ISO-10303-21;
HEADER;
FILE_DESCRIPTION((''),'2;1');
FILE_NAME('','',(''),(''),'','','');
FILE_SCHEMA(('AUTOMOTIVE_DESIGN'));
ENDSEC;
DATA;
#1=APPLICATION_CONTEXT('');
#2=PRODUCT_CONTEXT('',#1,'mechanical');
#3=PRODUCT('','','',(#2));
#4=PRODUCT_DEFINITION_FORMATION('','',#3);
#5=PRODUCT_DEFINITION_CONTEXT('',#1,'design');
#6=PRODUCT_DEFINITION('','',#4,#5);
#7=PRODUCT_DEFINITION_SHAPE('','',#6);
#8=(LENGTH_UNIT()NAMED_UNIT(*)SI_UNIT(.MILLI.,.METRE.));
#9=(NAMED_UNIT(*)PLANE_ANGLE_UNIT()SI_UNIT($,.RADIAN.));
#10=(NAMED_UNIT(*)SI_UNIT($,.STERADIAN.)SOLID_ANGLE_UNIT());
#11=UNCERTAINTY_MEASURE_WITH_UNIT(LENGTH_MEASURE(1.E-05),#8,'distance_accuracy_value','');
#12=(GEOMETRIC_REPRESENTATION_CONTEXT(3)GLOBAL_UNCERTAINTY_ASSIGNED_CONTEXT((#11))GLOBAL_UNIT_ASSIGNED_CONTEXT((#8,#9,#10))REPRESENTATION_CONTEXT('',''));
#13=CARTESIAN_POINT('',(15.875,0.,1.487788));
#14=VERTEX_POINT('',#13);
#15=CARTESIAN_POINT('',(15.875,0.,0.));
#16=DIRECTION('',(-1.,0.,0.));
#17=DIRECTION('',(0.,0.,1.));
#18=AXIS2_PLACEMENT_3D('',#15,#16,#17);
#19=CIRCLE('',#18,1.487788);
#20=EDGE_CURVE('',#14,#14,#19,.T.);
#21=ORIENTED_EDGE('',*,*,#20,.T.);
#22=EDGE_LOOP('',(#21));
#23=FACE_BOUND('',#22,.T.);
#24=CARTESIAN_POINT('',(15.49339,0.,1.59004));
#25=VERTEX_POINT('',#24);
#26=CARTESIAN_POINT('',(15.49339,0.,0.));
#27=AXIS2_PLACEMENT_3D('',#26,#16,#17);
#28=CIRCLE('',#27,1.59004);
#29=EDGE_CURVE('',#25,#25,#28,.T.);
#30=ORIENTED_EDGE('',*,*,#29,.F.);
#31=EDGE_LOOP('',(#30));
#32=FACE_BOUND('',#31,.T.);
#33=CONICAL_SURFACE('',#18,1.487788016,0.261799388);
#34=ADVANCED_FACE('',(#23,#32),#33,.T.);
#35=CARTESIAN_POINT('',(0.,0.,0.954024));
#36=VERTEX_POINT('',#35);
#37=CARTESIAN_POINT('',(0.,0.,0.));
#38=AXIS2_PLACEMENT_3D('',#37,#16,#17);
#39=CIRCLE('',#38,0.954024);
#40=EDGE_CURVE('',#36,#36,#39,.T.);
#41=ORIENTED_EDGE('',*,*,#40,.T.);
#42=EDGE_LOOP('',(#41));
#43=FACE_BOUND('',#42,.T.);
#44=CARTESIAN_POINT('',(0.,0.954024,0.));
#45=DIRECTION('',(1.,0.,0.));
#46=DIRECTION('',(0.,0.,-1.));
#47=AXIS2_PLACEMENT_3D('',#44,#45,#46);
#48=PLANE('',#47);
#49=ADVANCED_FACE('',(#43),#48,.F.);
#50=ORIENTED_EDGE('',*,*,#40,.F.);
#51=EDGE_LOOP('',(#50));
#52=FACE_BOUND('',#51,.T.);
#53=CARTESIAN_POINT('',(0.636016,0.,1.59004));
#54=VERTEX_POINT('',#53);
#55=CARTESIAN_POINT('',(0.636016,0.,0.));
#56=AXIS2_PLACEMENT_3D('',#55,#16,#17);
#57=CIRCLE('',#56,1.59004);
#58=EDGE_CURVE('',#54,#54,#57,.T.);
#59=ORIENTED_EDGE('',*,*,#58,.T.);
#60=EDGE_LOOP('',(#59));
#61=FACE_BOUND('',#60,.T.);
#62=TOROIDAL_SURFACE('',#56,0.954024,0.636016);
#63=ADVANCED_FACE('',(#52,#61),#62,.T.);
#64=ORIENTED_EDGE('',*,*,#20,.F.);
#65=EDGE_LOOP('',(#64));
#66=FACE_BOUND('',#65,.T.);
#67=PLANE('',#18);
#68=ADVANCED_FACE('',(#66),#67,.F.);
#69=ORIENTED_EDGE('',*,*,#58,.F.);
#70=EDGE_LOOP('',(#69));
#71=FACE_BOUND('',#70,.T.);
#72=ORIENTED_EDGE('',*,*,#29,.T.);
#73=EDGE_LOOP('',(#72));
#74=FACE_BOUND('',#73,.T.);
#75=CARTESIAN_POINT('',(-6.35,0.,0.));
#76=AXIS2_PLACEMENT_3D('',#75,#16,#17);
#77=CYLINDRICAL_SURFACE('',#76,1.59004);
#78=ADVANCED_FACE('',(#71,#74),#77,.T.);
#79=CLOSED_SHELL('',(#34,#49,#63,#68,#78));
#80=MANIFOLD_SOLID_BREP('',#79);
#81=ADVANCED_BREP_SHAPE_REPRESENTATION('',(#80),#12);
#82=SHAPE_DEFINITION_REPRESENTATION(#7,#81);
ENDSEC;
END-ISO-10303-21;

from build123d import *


with BuildPart() as part:
    # Sketch1 → Base-Revolve (revolve)
    with BuildSketch(Plane.XY, mode=Mode.PRIVATE) as base_revolve_sk:
        with BuildLine():
            Line((0, 0), (15.875, 0))
            Line((15.875, 0), (15.875, 1.487788016))
            Line((15.875, 1.487788016), (15.4933904, 1.59004))
            Line((15.4933904, 1.59004), (0.636016, 1.59004))
            ThreePointArc((0.636016, 1.59004), (0.186284773, 1.403755227), (0, 0.954024))
            Line((0, 0.954024), (0, 0))
        make_face()
    revolve(base_revolve_sk.sketch.rotate(Axis((-6.35, 0, 0), (1, 0, 0)), 90), axis=Axis((-6.35, 0, 0), (1, 0, 0)))  # turned: the seam where the file's is


solid = part.part
